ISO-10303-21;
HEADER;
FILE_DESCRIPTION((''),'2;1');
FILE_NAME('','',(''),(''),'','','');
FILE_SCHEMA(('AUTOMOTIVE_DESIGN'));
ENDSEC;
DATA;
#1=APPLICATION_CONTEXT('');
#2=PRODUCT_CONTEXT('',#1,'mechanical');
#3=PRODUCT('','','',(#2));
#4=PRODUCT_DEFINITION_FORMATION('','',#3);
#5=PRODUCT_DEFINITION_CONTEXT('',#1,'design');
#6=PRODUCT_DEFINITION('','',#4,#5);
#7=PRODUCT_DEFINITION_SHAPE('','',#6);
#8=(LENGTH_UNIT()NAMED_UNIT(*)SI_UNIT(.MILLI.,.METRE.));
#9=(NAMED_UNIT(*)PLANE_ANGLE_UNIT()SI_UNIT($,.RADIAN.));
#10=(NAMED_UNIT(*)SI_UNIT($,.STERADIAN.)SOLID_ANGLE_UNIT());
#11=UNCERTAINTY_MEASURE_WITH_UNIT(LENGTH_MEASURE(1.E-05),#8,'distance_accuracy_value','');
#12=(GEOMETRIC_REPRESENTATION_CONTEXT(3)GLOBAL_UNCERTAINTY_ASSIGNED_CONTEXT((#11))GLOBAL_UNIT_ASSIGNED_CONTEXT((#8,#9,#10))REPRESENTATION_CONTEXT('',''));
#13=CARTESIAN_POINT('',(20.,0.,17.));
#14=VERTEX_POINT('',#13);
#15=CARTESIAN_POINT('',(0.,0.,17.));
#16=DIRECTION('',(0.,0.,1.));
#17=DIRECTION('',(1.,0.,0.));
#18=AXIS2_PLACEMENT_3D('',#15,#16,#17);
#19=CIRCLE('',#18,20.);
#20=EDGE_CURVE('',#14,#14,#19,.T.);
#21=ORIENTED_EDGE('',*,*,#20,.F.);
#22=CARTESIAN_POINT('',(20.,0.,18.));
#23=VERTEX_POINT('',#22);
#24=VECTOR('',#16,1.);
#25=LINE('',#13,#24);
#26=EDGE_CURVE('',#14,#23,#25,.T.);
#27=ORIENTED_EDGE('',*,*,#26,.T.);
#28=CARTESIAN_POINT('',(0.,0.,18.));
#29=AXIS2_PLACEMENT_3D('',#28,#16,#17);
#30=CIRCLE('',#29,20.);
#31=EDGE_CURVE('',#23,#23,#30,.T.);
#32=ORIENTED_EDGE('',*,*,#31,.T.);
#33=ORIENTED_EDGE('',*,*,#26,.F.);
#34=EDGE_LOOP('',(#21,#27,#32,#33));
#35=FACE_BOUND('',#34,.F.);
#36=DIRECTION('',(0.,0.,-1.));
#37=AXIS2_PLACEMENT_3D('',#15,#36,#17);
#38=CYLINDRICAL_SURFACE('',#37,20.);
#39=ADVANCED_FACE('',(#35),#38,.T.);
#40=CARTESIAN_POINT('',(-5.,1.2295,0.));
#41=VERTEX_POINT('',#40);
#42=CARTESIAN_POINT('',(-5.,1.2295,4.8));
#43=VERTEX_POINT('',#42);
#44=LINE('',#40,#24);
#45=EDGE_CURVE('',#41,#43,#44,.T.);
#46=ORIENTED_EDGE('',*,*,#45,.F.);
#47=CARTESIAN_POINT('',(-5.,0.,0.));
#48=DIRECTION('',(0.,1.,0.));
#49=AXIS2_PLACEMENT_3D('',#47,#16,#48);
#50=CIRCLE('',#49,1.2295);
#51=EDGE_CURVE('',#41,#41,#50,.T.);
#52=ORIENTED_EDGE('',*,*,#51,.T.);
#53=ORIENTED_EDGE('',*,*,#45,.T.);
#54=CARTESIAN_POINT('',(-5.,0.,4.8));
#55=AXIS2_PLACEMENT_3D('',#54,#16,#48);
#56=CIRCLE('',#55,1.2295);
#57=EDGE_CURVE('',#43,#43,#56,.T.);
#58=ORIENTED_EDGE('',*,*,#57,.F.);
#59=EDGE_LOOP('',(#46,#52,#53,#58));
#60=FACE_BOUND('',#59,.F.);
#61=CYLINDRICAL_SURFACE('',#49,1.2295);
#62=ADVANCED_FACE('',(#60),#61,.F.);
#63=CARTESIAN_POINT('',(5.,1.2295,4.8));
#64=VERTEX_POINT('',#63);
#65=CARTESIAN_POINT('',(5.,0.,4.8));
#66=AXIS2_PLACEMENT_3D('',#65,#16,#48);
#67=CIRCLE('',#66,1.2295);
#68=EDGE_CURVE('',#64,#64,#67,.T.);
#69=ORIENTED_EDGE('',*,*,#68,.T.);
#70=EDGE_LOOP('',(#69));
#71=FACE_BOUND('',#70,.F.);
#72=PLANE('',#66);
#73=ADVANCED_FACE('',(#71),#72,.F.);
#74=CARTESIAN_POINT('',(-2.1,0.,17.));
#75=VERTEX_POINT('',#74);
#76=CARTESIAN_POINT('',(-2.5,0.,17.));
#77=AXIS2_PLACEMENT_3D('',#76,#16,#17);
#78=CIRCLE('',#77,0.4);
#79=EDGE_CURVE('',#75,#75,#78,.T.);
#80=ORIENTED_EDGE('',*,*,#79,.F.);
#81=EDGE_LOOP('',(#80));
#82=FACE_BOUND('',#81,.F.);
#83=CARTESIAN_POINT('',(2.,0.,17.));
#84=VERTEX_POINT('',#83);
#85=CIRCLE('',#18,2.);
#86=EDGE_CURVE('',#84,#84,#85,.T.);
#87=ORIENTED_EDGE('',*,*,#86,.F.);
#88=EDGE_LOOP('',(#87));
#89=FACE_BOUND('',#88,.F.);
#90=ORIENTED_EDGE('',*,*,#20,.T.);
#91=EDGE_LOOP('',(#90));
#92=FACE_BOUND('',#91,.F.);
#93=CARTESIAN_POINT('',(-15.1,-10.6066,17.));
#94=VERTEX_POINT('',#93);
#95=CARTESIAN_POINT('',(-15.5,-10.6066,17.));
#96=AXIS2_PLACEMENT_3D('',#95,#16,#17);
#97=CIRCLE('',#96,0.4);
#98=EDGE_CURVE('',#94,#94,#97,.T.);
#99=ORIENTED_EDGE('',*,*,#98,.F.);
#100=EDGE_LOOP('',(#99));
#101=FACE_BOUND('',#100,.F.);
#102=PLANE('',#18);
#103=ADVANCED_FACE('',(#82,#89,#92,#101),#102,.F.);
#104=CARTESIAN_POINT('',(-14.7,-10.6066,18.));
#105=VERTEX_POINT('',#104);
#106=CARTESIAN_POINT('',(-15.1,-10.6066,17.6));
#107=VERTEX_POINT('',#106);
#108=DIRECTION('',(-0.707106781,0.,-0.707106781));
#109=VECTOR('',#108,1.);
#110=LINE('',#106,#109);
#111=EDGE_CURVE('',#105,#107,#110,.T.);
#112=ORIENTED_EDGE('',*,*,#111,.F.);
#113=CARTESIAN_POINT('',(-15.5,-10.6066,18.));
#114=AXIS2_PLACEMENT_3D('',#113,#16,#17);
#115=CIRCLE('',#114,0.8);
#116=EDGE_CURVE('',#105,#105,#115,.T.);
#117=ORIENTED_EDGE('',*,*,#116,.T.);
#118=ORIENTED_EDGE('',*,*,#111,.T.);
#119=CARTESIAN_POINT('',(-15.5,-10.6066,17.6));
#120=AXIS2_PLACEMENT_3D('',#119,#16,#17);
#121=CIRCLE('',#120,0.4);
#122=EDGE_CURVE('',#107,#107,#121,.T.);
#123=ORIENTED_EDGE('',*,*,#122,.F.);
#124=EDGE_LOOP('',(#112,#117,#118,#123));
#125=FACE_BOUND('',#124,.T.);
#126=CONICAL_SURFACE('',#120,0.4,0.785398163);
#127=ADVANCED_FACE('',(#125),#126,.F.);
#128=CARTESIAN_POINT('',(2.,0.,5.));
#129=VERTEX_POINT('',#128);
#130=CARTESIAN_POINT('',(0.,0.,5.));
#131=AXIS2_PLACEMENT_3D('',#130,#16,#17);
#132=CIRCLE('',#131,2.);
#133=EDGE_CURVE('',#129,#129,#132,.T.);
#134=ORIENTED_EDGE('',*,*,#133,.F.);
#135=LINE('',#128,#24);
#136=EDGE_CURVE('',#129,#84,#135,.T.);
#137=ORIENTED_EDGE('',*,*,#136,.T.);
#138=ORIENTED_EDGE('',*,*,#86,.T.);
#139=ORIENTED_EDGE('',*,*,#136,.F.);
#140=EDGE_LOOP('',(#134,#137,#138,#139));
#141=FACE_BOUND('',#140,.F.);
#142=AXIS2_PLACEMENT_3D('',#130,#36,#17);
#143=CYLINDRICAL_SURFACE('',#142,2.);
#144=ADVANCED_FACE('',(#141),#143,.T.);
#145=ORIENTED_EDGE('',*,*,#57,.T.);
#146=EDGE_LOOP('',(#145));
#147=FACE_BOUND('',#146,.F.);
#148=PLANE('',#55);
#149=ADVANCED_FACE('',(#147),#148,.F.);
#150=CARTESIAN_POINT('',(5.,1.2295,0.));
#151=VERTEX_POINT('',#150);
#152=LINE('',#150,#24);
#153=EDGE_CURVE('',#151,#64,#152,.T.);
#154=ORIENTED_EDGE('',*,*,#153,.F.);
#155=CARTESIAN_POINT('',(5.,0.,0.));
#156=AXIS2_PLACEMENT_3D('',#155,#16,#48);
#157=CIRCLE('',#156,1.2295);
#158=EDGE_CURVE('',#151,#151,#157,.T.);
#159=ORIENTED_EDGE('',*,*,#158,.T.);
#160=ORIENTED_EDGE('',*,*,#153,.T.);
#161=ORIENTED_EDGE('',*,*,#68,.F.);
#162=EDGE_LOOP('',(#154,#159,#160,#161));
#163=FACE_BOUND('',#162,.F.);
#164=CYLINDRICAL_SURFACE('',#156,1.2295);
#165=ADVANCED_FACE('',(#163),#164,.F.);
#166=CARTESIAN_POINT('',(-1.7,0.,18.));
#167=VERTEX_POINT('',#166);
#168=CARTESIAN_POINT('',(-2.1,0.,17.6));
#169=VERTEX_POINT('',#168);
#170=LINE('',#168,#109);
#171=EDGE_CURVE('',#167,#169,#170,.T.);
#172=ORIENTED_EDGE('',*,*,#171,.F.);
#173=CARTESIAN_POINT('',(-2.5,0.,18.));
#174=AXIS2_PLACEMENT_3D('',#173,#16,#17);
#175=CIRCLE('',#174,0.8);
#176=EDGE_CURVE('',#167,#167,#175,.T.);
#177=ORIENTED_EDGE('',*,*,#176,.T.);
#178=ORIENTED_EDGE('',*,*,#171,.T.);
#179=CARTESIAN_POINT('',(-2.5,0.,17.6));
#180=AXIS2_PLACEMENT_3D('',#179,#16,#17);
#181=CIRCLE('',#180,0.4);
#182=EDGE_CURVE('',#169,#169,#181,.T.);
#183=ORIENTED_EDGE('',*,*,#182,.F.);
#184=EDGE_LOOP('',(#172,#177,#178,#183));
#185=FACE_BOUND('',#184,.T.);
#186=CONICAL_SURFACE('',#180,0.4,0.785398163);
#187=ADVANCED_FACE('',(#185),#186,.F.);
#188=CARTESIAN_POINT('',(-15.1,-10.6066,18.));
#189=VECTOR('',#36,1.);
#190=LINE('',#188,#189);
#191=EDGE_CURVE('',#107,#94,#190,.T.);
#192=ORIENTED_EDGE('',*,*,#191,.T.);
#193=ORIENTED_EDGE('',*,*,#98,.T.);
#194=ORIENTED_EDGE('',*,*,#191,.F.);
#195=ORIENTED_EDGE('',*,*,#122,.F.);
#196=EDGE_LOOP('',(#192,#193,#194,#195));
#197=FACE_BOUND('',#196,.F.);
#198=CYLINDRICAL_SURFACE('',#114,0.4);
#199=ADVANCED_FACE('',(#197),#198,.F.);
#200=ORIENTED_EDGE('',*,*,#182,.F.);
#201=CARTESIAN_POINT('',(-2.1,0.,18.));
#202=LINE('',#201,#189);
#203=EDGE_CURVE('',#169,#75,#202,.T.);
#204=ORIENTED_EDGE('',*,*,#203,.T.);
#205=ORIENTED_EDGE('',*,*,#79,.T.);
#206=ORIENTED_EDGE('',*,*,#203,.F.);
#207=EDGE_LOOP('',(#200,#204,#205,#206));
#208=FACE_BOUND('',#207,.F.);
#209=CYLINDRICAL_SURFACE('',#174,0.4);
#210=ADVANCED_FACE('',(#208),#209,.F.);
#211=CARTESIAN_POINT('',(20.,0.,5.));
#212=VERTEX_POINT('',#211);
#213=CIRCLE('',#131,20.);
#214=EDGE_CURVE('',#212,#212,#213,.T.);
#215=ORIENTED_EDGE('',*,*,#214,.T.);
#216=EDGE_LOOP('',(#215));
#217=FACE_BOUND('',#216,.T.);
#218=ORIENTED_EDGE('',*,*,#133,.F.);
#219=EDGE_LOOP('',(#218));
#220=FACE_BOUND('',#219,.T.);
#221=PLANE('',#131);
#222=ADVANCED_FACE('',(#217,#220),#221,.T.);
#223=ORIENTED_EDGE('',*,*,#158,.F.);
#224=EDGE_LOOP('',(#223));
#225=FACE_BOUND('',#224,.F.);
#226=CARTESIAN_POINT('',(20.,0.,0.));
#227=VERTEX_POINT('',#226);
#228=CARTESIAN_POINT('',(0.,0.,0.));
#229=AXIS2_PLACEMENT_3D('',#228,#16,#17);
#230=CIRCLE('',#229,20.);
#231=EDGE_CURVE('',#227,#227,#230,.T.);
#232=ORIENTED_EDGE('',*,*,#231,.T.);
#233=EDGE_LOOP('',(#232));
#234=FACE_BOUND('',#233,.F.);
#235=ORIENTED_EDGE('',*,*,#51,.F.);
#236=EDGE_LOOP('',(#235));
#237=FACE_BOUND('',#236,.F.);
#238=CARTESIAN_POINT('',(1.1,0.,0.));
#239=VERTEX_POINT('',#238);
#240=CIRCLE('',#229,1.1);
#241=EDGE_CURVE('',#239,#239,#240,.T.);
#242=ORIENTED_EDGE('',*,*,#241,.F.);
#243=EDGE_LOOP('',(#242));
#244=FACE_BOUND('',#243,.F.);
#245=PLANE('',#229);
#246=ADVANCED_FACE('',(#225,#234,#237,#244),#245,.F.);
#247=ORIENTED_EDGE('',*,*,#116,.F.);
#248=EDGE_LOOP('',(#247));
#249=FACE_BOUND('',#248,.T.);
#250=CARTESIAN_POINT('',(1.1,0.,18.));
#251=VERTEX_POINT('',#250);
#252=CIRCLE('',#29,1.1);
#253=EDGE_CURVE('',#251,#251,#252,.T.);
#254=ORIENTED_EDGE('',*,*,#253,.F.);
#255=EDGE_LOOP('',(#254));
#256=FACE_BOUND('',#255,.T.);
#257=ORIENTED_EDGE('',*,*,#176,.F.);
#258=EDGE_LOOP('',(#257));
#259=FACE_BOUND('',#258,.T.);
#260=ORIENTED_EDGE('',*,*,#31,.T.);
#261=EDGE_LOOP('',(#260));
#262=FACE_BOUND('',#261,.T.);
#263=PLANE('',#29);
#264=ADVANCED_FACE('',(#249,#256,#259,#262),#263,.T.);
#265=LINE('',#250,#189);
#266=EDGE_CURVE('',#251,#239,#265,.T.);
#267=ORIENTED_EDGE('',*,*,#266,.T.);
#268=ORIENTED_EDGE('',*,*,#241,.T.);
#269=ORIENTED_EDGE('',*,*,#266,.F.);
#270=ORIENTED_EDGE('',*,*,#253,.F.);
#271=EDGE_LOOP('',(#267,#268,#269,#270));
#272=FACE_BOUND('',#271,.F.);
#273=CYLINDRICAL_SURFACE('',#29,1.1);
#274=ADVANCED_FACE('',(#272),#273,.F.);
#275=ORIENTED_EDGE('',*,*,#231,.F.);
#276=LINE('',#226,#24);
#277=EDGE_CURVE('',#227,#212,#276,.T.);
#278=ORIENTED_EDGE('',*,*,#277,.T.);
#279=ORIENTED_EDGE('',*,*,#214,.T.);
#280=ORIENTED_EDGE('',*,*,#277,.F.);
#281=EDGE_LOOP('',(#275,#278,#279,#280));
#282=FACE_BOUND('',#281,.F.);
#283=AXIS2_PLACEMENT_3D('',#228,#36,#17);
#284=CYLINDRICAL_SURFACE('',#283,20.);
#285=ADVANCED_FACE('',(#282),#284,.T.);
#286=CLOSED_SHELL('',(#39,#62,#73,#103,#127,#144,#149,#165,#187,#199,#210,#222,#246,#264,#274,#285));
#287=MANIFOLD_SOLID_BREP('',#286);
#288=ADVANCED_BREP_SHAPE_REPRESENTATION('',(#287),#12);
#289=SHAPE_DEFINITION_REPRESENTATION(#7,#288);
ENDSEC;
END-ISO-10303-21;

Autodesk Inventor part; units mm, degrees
ref_plane "YZ Plane" through (0, 0, 0) normal (1, 0, 0) x (0, 1, 0)
ref_plane "XZ Plane" through (0, 0, 0) normal (0, 1, 0) x (-1, 0, 0)
ref_plane "XY Plane" through (0, 0, 0) normal (0, 0, 1) x (1, 0, 0)
sketch "Sketch1" plane through (0, 0, 0) normal (0, 0, 1) x (1, 0, 0)
  circle A0 centre (0, 0) radius 20
  dimension "d0" = 40
extrude "Extrusion1" add sketch "Sketch1" along normal blind 5
sketch "Sketch2" plane through (0, 0, 5) normal (0, 0, 1) x (1, 0, 0)
  circle A0 centre (0, 0) radius 2
  dimension "d3" = 4
extrude "Extrusion2" add sketch "Sketch2" along normal blind 12
sketch "Sketch3" plane through (0, 0, 17) normal (0, 0, 1) x (1, 0, 0)
  circle A0 centre (0, 0) radius 20
  dimension "d6" = 40
extrude "Extrusion3" add sketch "Sketch3" along normal blind 1
sketch "Sketch4" plane through (0, 0, 18) normal (0, 0, 1) x (1, 0, 0)
  circle A0 centre (0, 0) radius 1.1
  dimension "d9" = 2.2
extrude "Extrusion4" cut sketch "Sketch4" against normal through all
sketch "Sketch6" plane through (0, 0, 18) normal (0, 0, 1) x (1, 0, 0)
  circle A0 centre (0, 0) radius 2 construction
  circle A1 centre (-15.5, -10.6066) radius 0.4
  circle A2 centre (-2.5, 0) radius 0.4
  circle A3 centre (0, 0) radius 20 projected
  dimension "d20" = 0.8
  dimension "d21" = 0.8
  dimension "d38" = 2.5
  dimension "d39" = 15.5
sketch "Sketch7" plane through (0, 0, 18) normal (0, 0, 1) x (1, 0, 0)
  point P0 (0, 0)
extrude "Extrusion5" cut sketch "Sketch6" against normal up to surface (1 mm away) contours A1 | A2
chamfer "Chamfer1" distance 0.4 angle 45 2 edges at (-2.9, 0, 18) (-15.9, -10.6066, 18)
sketch "Sketch11" plane through (0, 0, 0) normal (0, 0, -1) x (-1, 0, 0)
  circle A0 centre (0, 0) radius 20 projected
  point P0 (-5, 26.5)
  point P1 (-5, -26.5)
  dimension "d40" = 26.5
  dimension "d41" = 5
  dimension "d42" = 5
  dimension "d43" = 26.5
hole "Hole3" at (5, -26.5, 0) at (5, 26.5, 0) direction (0, 0, 1) diameter 1.567 end through all thread size "M2x0.4" class "6H" standard "ISO Metric profile"
sketch "Sketch12" plane through (0, 0, 0) normal (0, 0, -1) x (-1, 0, 0)
  point P0 (0, 0)
  point P1 (5, 0)
  point P2 (-5, 0)
  dimension "d55" = 5
  dimension "d56" = 5
hole "Hole4" at (-5, 0, 0) at (5, 0, 0) direction (0, 0, 1) diameter 2.459 depth 4.8 thread size "M3x0.5" class "6H" standard "ISO Metric profile"
loft "Loft1" [suppressed]
properties part number "Bobbin_z"
